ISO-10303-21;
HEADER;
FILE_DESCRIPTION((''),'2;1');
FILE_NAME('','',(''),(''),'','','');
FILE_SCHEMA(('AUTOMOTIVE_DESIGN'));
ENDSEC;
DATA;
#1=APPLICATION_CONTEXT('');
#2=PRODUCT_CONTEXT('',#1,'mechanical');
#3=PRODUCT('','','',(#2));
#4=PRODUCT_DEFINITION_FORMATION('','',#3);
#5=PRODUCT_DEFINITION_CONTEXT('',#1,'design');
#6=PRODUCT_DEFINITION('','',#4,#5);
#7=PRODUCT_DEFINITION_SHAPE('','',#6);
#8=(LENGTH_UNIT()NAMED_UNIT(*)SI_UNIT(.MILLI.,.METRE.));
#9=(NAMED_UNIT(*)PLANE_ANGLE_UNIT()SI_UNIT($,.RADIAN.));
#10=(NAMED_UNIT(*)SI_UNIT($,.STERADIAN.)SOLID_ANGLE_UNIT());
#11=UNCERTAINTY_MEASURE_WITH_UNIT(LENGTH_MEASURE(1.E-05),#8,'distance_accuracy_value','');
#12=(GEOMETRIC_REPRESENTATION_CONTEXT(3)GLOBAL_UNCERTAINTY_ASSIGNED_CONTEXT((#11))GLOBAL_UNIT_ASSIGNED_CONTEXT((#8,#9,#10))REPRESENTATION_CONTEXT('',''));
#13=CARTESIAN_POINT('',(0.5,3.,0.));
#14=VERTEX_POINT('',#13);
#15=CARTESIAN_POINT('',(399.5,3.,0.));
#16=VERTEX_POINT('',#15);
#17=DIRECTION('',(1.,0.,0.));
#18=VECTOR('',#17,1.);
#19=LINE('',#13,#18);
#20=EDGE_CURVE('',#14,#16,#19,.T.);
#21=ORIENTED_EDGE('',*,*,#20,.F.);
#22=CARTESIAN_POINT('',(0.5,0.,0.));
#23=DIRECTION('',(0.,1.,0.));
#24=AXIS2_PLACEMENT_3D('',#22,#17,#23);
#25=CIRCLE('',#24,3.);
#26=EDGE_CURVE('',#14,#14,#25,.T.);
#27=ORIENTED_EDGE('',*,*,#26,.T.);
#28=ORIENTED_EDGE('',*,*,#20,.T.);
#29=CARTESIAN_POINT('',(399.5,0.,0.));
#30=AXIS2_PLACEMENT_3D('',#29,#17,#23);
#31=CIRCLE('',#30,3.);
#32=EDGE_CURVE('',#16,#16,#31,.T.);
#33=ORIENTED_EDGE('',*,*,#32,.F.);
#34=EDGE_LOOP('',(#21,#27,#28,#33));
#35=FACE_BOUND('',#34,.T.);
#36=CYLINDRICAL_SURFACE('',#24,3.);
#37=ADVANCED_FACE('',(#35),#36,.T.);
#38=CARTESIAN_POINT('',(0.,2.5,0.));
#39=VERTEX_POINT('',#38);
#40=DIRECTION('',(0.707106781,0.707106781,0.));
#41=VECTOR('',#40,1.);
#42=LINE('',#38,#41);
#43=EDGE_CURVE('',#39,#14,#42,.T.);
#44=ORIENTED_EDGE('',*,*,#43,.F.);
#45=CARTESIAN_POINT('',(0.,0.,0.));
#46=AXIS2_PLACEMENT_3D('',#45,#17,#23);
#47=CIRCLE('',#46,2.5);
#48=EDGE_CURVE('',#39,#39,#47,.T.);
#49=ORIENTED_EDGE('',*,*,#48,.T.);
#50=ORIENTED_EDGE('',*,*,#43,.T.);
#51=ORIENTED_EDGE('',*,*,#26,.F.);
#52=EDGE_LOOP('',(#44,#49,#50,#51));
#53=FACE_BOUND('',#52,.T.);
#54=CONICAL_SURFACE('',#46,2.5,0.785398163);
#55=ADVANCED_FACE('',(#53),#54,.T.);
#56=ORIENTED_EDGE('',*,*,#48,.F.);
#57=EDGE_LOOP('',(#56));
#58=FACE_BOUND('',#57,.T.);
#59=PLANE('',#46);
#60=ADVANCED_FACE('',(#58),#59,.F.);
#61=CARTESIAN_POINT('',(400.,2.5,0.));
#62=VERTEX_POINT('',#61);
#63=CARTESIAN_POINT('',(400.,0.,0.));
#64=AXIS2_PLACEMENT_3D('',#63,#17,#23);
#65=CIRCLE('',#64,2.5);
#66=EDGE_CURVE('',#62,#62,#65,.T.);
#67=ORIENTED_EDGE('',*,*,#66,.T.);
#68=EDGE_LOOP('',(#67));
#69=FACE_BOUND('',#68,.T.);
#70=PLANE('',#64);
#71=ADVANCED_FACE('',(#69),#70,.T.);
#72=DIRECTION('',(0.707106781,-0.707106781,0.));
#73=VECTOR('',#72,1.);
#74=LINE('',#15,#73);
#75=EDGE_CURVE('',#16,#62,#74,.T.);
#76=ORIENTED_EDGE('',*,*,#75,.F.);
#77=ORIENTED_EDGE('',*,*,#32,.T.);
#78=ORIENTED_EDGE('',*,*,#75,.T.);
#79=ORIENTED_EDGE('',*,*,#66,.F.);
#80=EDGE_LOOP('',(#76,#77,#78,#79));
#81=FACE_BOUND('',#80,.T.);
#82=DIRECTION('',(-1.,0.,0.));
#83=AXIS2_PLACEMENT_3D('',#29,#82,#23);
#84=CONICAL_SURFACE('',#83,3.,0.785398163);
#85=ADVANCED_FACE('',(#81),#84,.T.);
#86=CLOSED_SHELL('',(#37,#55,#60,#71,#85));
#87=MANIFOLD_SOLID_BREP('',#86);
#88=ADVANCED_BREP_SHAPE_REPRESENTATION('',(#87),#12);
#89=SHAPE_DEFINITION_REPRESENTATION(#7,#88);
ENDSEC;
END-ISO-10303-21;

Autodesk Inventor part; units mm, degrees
ref_plane "YZ Plane" through (0, 0, 0) normal (1, 0, 0) x (0, 1, 0)
ref_plane "XZ Plane" through (0, 0, 0) normal (0, 1, 0) x (-1, 0, 0)
ref_plane "XY Plane" through (0, 0, 0) normal (0, 0, 1) x (1, 0, 0)
sketch "Sketch_3" plane through (0, 0, 0) normal (0, 0, 1) x (1, 0, 0)
  line L0 (400, 0) -> (0, 0)
  line L1 (0, 0) -> (0, 2.5)
  line L2 (0, 2.5) -> (0.5, 3)
  line L3 (0.5, 3) -> (399.5, 3)
  line L4 (399.5, 3) -> (400, 2.5)
  line L5 (400, 2.5) -> (400, 0)
  line L6 (400, 0) -> (0, 0)
revolve "Revolution1" add sketch "Sketch_3" angle 360 about axis through (400, 0, 0) along (1, 0, 0)
properties part number "PSFG6-400"
